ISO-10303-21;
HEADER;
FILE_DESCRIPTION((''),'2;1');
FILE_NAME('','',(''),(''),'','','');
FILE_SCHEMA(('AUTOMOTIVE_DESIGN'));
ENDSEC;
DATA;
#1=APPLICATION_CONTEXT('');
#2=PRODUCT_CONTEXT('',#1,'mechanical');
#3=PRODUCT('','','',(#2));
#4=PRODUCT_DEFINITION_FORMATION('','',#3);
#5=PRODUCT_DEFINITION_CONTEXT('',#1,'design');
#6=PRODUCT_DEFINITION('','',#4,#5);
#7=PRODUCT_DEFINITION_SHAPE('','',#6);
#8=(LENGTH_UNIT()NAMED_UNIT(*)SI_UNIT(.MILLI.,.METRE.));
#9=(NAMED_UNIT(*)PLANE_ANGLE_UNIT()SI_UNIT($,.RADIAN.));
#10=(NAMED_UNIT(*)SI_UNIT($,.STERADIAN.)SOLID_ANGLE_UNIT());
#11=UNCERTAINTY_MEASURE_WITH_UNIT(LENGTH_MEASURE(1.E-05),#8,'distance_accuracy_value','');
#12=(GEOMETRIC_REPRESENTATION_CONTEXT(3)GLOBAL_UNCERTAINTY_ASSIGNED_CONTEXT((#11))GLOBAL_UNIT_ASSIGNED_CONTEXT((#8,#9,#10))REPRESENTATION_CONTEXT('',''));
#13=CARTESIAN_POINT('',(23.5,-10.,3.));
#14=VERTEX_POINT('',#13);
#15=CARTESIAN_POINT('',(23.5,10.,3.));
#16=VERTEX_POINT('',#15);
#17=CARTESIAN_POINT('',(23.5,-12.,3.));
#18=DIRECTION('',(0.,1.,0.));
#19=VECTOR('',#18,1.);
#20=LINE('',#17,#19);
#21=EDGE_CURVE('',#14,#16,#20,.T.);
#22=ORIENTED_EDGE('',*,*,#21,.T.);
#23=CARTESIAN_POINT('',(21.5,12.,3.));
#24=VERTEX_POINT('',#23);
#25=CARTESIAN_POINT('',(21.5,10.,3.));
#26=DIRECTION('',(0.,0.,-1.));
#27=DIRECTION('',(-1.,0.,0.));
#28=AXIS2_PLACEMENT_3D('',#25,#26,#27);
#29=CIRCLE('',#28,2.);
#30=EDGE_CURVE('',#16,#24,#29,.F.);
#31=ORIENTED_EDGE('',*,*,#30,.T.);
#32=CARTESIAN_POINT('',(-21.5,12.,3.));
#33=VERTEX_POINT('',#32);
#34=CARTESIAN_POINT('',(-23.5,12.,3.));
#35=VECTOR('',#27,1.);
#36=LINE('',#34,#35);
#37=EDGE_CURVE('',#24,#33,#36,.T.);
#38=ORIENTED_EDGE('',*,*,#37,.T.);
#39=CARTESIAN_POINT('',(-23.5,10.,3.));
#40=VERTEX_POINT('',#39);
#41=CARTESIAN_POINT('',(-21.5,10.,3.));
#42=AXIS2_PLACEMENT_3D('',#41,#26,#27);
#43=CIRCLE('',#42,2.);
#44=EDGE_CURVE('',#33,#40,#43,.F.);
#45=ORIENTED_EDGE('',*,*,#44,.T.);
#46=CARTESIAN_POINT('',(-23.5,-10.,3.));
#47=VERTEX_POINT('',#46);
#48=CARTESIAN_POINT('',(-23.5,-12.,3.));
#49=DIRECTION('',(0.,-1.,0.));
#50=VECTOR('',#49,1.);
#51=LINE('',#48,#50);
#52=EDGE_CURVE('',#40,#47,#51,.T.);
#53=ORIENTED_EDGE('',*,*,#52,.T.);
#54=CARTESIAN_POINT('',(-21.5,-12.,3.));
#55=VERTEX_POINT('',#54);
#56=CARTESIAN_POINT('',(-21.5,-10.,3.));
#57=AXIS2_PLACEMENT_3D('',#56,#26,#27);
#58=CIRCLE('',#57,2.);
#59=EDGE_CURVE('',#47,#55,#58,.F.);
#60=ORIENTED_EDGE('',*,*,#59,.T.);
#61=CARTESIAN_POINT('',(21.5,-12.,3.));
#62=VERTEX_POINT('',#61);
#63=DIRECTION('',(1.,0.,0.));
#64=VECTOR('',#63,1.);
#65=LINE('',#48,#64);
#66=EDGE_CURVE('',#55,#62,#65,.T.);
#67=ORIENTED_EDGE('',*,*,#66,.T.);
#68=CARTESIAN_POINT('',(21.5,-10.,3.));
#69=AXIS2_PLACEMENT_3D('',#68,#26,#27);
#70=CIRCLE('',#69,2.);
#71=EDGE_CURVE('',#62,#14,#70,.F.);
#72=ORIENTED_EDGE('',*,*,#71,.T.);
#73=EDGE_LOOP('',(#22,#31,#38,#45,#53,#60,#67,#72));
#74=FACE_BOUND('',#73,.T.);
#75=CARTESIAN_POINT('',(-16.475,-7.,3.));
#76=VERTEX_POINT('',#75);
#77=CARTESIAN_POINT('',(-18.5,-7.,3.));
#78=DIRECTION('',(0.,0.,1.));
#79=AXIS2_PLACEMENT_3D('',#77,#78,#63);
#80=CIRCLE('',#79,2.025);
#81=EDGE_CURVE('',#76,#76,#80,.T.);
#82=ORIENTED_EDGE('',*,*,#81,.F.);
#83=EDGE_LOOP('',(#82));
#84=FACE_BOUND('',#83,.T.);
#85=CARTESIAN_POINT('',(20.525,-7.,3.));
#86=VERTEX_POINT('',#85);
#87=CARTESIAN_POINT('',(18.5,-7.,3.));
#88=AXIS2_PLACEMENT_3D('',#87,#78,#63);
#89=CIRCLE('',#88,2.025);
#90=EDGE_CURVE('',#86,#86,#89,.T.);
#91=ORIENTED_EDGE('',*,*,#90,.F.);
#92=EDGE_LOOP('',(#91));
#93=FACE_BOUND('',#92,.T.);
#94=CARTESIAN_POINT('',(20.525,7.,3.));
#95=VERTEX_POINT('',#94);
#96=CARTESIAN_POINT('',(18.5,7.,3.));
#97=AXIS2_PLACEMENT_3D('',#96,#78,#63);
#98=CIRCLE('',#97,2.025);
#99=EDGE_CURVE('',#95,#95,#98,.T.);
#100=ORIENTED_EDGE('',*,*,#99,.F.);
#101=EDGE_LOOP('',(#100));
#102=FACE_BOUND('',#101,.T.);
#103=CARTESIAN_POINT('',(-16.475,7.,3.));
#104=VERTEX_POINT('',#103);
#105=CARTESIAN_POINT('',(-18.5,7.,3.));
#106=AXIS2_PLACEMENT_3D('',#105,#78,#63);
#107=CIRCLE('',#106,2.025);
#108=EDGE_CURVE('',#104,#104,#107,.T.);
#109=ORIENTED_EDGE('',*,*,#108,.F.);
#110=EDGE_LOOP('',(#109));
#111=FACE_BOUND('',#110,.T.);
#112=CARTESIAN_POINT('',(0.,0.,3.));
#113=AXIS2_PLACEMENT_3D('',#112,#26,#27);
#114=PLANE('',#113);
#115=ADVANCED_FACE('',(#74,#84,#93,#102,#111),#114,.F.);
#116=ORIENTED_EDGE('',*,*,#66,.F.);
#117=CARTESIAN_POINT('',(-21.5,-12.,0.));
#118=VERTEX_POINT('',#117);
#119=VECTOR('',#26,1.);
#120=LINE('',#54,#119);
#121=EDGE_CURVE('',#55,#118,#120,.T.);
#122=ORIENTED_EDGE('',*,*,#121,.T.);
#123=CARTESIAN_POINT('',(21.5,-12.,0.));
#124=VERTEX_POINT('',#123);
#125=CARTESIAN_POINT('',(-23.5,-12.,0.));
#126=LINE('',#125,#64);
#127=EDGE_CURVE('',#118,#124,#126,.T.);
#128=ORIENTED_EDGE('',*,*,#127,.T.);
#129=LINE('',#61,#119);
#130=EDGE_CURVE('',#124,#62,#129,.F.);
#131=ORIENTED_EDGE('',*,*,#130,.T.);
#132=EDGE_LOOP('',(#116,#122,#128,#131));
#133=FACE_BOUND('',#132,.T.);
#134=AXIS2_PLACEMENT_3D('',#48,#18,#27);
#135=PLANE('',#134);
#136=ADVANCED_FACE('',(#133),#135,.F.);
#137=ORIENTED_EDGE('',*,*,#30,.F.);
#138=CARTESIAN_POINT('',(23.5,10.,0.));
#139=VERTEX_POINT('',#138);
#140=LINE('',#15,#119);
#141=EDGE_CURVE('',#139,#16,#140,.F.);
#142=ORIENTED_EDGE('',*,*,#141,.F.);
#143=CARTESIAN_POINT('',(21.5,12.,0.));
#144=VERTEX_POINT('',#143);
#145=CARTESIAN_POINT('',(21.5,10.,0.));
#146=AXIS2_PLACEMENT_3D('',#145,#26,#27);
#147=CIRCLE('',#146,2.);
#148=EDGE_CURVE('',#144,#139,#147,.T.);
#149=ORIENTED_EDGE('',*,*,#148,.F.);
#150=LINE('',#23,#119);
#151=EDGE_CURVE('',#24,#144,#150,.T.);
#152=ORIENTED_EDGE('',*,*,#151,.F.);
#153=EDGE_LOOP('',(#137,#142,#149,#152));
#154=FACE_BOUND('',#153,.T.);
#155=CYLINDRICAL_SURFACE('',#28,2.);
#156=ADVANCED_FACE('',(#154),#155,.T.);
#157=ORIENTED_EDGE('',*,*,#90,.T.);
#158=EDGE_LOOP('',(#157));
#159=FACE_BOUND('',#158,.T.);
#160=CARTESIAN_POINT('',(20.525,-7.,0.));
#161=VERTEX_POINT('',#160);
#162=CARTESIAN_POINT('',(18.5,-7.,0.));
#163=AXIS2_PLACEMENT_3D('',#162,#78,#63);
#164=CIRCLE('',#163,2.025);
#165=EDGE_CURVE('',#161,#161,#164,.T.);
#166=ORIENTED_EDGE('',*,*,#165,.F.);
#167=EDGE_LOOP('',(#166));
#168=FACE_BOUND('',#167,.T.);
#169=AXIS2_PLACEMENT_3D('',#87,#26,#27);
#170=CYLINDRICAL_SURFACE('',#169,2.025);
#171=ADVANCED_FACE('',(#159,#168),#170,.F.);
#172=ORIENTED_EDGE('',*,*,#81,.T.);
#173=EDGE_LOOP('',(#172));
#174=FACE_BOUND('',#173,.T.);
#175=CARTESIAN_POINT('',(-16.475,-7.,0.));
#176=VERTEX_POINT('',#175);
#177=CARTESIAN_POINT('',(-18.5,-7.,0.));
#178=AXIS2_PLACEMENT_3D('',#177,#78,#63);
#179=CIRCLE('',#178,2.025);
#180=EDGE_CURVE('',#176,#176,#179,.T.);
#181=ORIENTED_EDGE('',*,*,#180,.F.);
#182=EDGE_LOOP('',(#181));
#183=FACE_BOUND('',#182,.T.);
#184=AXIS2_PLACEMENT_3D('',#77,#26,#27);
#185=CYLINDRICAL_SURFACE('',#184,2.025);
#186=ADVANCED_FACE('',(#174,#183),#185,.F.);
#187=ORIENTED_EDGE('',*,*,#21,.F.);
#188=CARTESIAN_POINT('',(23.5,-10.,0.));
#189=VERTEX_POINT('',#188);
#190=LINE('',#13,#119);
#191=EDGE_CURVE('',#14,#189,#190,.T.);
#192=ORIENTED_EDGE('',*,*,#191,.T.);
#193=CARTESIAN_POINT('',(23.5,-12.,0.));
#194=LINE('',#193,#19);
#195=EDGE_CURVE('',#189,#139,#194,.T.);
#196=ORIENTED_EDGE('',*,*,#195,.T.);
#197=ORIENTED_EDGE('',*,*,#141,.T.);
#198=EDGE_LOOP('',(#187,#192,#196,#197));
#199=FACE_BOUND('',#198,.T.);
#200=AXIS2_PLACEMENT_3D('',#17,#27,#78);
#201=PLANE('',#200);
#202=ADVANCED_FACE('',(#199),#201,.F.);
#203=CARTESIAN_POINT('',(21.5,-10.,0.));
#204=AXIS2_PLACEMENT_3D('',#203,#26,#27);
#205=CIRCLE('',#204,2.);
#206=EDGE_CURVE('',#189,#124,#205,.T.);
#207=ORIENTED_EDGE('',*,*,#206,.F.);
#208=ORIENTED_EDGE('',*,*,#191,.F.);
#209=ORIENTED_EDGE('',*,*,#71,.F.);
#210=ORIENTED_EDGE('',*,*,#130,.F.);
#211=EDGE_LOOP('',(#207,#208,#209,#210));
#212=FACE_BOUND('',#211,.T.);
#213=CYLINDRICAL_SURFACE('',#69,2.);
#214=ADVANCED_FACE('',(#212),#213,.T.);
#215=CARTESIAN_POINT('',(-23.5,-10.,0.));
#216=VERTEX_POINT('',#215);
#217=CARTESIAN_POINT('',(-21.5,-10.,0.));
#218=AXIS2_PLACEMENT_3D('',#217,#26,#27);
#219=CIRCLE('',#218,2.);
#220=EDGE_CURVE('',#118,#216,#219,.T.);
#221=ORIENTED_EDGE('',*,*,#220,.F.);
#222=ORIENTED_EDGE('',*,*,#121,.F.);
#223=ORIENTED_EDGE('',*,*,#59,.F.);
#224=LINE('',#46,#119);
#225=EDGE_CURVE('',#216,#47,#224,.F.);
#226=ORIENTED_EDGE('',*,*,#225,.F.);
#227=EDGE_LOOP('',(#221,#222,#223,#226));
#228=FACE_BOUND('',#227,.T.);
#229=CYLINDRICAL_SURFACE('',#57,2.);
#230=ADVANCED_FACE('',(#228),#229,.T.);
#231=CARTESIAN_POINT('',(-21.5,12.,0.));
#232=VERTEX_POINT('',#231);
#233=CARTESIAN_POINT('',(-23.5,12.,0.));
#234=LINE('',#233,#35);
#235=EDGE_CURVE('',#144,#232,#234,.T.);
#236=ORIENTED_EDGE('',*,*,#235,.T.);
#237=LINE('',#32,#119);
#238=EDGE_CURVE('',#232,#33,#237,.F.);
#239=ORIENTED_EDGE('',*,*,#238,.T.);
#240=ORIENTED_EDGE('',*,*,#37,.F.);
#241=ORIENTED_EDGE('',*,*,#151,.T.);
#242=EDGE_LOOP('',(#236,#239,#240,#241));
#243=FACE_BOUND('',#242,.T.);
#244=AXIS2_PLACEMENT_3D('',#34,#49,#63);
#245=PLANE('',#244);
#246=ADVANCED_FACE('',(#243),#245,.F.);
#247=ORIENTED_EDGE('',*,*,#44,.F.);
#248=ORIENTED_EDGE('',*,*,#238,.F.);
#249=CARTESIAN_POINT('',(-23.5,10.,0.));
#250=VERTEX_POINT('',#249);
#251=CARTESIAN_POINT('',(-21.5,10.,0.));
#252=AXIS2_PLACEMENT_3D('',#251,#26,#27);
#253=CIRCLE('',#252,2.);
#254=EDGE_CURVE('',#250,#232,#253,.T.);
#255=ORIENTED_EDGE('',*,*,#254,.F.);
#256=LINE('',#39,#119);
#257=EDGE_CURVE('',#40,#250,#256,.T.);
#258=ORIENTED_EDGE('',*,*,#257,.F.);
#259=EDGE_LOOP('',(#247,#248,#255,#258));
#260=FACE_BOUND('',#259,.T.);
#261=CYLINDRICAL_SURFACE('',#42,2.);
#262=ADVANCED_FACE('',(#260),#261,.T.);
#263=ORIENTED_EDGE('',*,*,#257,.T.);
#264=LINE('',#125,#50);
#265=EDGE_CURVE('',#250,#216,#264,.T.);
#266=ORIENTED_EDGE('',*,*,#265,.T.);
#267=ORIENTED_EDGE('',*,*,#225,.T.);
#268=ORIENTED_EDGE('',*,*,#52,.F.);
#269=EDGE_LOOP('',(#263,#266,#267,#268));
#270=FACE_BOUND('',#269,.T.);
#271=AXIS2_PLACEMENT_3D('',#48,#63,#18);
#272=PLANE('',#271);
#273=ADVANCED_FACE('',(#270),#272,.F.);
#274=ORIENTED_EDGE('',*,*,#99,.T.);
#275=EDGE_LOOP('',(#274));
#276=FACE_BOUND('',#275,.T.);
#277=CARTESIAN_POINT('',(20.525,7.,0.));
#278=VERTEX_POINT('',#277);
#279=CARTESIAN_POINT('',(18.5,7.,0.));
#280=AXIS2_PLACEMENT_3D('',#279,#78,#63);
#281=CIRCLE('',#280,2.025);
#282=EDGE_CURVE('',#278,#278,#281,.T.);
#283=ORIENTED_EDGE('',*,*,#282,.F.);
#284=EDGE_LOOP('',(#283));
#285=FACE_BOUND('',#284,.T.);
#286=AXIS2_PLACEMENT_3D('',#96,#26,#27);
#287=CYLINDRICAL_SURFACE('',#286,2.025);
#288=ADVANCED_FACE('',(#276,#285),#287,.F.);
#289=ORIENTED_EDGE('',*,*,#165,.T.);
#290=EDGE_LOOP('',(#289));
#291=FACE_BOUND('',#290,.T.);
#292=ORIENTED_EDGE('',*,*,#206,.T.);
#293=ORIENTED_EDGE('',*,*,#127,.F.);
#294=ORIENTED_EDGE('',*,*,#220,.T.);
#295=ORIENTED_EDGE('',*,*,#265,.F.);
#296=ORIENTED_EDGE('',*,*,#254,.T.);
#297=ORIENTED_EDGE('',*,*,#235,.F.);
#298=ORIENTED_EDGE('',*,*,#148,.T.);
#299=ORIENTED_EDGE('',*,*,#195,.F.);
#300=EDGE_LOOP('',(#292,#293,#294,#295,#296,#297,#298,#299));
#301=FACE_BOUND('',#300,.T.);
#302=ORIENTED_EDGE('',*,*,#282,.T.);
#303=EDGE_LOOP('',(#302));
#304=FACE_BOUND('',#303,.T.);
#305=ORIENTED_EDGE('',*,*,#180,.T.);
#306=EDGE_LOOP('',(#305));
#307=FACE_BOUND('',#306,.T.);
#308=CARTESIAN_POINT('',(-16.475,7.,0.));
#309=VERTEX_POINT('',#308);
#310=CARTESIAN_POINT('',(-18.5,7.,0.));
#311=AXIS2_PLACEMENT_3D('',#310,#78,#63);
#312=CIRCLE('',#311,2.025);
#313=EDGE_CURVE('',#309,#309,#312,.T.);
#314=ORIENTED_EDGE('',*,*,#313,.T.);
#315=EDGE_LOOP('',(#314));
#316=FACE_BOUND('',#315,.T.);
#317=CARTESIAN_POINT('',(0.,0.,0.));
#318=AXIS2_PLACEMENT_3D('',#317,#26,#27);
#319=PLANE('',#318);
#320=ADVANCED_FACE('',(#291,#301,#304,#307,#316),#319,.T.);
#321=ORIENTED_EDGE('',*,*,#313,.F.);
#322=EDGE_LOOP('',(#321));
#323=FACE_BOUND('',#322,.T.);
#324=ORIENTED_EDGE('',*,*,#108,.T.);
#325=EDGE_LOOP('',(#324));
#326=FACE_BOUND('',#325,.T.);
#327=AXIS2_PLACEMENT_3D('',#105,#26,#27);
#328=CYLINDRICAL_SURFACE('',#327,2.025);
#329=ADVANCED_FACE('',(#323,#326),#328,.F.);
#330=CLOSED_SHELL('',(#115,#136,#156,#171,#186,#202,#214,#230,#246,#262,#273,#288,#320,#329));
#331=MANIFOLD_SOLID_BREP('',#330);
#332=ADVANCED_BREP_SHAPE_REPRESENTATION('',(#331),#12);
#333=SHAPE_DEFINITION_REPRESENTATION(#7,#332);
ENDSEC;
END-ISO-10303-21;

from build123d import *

# Parameters (mm, degrees)
SKETCH_1_W      = 47
SKETCH_1_H      = 24
SKETCH_1_R      = 2.025
EXTRUDE_1_DEPTH = 3
FILLET_1_R      = 2


with BuildPart() as part:
    # 草图1 → 凸台-拉伸1 (new body)
    with BuildSketch(Plane.XY):
        Rectangle(SKETCH_1_W, SKETCH_1_H)
        with Locations((18.5, 7)):
            Circle(SKETCH_1_R, mode=Mode.SUBTRACT)
        with Locations((-18.5, 7)):
            Circle(SKETCH_1_R, mode=Mode.SUBTRACT)
        with Locations((-18.5, -7)):
            Circle(SKETCH_1_R, mode=Mode.SUBTRACT)
        with Locations((18.5, -7)):
            Circle(SKETCH_1_R, mode=Mode.SUBTRACT)
    extrude(amount=EXTRUDE_1_DEPTH)

    # 圆角1
    fillet_1_edges = [part.edges().sort_by_distance(p)[0] for p in [
        (23.5, -12, 1.5),
        (-23.5, -12, 1.5),
        (-23.5, 12, 1.5),
        (23.5, 12, 1.5),
    ]]
    fillet(fillet_1_edges, radius=FILLET_1_R)


solid = part.part
